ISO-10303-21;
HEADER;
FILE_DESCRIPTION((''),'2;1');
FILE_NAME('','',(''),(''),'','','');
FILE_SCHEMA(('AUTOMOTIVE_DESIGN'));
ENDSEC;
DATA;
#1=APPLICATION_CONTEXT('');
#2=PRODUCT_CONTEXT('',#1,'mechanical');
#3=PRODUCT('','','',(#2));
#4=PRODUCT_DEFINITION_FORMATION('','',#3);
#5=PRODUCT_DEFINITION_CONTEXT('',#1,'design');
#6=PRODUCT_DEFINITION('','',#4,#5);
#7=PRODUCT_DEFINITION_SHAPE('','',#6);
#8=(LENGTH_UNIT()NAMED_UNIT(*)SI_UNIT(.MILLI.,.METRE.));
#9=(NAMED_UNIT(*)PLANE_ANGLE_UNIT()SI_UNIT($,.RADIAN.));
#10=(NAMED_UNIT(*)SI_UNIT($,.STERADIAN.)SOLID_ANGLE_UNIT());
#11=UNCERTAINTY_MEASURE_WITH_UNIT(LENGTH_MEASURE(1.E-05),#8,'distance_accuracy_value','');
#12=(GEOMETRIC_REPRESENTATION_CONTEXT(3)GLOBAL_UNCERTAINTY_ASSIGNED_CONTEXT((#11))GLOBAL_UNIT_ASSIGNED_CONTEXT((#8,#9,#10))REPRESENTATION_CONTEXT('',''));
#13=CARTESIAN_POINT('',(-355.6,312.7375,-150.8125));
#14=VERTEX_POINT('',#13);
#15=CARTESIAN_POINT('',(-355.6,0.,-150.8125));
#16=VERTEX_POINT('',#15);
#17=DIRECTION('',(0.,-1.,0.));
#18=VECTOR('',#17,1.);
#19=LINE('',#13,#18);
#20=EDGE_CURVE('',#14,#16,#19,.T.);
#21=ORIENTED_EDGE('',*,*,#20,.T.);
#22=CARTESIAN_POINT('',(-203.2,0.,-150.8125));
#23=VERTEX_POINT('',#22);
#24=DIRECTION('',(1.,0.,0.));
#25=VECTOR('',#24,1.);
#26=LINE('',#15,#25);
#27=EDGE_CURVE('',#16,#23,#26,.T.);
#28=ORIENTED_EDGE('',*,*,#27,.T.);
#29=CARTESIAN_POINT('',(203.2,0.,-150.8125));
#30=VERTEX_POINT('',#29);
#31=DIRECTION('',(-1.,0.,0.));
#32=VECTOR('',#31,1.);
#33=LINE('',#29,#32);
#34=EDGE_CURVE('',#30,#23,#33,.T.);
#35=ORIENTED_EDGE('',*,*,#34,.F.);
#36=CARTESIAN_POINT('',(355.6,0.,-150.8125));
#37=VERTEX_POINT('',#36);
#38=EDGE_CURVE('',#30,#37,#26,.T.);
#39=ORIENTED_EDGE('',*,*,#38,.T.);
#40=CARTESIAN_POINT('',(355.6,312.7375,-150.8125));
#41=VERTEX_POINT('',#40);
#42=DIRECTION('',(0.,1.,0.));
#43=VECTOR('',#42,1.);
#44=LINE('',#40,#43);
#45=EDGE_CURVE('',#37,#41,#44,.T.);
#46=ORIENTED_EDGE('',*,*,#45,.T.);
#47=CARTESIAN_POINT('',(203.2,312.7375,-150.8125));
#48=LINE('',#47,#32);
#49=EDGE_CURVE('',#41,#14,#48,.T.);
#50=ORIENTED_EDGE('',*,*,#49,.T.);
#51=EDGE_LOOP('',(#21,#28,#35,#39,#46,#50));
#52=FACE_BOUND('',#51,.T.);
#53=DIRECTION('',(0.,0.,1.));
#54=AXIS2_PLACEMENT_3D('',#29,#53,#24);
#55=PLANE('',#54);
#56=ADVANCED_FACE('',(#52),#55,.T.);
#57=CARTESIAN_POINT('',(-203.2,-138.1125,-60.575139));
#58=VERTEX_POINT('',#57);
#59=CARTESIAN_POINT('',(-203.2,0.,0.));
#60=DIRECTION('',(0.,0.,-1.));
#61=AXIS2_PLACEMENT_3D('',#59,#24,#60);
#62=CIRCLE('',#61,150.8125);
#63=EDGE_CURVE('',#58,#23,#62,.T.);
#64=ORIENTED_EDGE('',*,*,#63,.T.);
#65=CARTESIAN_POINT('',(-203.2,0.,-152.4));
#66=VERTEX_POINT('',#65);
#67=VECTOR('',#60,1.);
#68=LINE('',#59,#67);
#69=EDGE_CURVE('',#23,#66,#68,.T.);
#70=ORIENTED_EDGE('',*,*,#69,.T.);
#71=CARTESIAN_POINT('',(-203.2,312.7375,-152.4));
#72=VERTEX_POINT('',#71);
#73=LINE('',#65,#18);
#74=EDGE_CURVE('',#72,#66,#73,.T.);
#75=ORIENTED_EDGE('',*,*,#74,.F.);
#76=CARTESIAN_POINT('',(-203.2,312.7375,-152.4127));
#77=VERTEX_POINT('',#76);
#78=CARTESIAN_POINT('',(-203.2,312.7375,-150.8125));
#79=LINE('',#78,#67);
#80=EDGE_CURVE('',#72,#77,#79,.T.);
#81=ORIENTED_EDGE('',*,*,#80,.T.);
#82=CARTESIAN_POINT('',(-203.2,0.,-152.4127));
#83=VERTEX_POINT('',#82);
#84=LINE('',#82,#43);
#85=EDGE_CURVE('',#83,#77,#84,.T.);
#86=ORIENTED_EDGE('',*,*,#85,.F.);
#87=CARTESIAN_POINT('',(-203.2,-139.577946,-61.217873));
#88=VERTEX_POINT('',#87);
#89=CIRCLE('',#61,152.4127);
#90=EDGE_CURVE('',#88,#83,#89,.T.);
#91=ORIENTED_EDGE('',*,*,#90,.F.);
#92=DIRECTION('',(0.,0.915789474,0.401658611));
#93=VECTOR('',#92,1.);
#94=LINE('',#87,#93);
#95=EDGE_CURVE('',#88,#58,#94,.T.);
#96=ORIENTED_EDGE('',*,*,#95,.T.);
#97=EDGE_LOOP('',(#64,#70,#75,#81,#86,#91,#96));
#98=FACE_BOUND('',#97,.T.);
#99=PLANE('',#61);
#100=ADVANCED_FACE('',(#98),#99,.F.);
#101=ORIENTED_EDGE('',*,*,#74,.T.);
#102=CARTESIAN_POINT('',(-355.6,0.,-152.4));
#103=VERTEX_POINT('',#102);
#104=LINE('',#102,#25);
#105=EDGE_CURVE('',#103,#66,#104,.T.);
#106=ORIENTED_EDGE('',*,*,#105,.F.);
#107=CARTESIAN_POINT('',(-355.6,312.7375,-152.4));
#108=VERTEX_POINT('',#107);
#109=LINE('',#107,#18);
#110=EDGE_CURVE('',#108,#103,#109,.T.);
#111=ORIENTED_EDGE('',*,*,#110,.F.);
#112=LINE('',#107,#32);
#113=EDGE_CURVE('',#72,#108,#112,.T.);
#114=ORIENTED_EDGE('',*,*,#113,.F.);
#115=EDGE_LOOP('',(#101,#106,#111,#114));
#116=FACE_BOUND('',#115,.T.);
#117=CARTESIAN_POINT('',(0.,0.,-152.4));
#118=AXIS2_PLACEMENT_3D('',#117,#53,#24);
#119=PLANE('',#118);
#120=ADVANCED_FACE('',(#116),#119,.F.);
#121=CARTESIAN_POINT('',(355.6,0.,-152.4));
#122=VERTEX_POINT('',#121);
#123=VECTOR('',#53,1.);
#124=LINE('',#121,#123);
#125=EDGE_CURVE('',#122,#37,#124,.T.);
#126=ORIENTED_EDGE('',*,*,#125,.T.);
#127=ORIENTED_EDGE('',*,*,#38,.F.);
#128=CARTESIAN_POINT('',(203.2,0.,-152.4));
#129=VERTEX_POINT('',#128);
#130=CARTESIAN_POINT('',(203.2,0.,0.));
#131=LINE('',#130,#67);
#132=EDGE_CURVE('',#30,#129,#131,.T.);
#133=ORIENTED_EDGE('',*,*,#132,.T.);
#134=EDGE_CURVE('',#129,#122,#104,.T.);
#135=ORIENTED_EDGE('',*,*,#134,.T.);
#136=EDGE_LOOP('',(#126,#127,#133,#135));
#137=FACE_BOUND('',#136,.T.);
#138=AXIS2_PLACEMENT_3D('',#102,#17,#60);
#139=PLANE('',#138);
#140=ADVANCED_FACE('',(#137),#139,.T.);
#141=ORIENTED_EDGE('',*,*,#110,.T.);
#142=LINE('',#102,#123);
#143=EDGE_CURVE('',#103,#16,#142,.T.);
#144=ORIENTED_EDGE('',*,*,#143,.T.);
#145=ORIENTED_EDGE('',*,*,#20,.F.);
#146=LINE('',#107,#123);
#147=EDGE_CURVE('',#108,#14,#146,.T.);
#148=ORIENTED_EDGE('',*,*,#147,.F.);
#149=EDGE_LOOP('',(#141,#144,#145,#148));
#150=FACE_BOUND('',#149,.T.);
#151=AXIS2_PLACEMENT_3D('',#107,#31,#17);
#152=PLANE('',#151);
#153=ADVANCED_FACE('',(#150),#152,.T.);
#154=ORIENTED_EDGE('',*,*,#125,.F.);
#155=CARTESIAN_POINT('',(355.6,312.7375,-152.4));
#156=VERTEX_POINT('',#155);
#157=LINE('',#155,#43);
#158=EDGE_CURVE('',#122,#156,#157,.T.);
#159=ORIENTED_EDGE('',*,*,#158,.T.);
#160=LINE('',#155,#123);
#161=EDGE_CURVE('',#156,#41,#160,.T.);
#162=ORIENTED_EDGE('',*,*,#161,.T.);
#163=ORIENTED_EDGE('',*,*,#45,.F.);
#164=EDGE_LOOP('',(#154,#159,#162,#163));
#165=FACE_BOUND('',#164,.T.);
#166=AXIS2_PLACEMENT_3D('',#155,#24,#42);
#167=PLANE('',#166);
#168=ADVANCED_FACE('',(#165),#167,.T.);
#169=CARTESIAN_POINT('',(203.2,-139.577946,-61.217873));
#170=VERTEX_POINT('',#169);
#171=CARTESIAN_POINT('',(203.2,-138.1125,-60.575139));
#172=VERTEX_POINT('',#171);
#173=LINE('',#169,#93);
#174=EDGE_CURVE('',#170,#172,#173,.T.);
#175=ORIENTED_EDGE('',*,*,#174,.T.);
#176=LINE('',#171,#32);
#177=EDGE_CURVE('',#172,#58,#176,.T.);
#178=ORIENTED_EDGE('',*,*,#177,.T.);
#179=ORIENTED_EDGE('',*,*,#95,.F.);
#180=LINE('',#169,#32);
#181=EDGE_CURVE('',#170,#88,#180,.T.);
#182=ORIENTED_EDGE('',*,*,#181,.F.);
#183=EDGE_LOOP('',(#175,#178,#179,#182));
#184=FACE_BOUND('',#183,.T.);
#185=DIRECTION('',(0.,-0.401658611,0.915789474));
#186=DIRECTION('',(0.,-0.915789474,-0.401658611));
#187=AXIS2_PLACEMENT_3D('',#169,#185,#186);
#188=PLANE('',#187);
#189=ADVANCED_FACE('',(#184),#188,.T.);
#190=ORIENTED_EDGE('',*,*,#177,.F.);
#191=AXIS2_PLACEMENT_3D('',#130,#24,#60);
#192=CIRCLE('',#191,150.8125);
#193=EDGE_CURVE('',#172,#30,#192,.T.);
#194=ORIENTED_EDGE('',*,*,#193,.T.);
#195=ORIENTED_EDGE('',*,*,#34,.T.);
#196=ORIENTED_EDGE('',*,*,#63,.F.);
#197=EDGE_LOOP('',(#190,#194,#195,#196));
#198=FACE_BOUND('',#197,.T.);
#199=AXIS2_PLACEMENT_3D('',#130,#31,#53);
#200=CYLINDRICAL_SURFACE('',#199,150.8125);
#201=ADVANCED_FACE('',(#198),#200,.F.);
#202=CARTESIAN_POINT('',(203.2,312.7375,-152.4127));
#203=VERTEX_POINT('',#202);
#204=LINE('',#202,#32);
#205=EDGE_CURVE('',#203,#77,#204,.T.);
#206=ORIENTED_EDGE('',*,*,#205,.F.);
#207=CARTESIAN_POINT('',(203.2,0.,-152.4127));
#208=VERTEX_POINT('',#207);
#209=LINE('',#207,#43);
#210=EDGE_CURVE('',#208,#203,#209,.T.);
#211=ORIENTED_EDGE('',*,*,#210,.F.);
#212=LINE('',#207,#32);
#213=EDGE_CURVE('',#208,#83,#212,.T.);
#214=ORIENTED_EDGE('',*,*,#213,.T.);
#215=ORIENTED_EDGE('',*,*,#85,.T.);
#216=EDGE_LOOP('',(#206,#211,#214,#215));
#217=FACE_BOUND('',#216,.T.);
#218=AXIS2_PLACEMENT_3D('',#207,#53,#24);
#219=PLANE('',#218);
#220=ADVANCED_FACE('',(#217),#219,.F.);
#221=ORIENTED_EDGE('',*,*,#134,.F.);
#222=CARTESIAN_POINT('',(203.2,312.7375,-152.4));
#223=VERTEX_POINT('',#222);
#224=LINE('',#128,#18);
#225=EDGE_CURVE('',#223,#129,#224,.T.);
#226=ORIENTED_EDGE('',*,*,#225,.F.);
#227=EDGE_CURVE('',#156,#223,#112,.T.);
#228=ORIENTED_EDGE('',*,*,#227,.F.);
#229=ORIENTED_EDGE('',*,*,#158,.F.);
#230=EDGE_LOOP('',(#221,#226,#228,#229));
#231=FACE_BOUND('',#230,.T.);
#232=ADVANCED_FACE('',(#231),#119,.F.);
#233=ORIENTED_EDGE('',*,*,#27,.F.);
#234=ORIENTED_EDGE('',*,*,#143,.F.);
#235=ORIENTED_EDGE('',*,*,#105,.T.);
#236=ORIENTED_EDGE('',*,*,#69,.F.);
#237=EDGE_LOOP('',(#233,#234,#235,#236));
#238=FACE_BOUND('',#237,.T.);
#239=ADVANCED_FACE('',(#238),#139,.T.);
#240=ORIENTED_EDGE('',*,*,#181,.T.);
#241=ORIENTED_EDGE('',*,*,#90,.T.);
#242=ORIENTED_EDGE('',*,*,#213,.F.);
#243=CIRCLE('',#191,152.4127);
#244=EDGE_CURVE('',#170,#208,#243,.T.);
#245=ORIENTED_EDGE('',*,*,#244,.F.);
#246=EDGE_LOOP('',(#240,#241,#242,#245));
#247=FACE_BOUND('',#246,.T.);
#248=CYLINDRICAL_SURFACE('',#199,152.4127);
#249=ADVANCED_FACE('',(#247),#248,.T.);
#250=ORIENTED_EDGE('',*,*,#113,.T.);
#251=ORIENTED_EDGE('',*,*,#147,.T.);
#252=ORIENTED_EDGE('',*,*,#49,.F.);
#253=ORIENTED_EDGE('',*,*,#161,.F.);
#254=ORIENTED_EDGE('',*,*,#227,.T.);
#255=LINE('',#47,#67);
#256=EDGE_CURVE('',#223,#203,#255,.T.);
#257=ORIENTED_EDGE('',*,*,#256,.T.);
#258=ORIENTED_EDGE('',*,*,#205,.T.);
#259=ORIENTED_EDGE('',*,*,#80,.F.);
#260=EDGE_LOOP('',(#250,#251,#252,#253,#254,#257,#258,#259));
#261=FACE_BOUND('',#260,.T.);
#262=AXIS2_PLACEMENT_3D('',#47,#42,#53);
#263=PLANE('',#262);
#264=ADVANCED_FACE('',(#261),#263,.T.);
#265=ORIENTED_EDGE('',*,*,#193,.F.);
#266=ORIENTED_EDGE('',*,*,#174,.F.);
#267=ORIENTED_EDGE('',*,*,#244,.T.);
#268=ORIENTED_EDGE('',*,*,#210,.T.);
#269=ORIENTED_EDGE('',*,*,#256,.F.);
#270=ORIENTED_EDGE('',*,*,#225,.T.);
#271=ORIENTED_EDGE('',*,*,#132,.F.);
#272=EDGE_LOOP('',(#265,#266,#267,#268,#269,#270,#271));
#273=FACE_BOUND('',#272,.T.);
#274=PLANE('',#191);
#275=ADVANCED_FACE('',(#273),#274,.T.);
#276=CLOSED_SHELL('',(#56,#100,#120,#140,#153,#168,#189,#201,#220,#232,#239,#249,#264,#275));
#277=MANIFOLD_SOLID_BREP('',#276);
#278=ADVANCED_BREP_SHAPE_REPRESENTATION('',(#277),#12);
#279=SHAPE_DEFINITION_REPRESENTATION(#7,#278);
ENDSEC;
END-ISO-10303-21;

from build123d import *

# Parameters (mm, degrees)
EXTRUDE_THIN1_DEPTH = 203.2
SKETCH2_W           = 711.2
SKETCH2_H           = 312.7375
BOSS_EXTRUDE1_DEPTH = 1.5875


with BuildPart() as part:
    # Sketch1 → Extrude-Thin1 (new body, symmetric)
    with BuildSketch(Plane(origin=(0, 0, 0), x_dir=(0, 0, -1), z_dir=(1, 0, 0))):
        with BuildLine():
            ThreePointArc((60.57513929, -138.1125), (126.253511536, -82.489156748), (150.8125, 0))
            Line((150.8125, 0), (150.8125, 312.7375))
            Line((150.8125, 312.7375), (152.4127, 312.7375))
            Line((152.4127, 312.7375), (152.4127, 0))
            ThreePointArc((152.4127, 0), (127.593127743, -83.364410117), (61.217873399, -139.577946316))
            Line((61.217873399, -139.577946316), (60.57513929, -138.1125))
        make_face()
    extrude(amount=EXTRUDE_THIN1_DEPTH, both=True)

    # Sketch2 → Boss-Extrude1 (add)
    with BuildSketch(Plane.XY.offset(-150.8125)):
        with Locations((0, 156.36875)):
            Rectangle(SKETCH2_W, SKETCH2_H)
    extrude(amount=-BOSS_EXTRUDE1_DEPTH)


solid = part.part
